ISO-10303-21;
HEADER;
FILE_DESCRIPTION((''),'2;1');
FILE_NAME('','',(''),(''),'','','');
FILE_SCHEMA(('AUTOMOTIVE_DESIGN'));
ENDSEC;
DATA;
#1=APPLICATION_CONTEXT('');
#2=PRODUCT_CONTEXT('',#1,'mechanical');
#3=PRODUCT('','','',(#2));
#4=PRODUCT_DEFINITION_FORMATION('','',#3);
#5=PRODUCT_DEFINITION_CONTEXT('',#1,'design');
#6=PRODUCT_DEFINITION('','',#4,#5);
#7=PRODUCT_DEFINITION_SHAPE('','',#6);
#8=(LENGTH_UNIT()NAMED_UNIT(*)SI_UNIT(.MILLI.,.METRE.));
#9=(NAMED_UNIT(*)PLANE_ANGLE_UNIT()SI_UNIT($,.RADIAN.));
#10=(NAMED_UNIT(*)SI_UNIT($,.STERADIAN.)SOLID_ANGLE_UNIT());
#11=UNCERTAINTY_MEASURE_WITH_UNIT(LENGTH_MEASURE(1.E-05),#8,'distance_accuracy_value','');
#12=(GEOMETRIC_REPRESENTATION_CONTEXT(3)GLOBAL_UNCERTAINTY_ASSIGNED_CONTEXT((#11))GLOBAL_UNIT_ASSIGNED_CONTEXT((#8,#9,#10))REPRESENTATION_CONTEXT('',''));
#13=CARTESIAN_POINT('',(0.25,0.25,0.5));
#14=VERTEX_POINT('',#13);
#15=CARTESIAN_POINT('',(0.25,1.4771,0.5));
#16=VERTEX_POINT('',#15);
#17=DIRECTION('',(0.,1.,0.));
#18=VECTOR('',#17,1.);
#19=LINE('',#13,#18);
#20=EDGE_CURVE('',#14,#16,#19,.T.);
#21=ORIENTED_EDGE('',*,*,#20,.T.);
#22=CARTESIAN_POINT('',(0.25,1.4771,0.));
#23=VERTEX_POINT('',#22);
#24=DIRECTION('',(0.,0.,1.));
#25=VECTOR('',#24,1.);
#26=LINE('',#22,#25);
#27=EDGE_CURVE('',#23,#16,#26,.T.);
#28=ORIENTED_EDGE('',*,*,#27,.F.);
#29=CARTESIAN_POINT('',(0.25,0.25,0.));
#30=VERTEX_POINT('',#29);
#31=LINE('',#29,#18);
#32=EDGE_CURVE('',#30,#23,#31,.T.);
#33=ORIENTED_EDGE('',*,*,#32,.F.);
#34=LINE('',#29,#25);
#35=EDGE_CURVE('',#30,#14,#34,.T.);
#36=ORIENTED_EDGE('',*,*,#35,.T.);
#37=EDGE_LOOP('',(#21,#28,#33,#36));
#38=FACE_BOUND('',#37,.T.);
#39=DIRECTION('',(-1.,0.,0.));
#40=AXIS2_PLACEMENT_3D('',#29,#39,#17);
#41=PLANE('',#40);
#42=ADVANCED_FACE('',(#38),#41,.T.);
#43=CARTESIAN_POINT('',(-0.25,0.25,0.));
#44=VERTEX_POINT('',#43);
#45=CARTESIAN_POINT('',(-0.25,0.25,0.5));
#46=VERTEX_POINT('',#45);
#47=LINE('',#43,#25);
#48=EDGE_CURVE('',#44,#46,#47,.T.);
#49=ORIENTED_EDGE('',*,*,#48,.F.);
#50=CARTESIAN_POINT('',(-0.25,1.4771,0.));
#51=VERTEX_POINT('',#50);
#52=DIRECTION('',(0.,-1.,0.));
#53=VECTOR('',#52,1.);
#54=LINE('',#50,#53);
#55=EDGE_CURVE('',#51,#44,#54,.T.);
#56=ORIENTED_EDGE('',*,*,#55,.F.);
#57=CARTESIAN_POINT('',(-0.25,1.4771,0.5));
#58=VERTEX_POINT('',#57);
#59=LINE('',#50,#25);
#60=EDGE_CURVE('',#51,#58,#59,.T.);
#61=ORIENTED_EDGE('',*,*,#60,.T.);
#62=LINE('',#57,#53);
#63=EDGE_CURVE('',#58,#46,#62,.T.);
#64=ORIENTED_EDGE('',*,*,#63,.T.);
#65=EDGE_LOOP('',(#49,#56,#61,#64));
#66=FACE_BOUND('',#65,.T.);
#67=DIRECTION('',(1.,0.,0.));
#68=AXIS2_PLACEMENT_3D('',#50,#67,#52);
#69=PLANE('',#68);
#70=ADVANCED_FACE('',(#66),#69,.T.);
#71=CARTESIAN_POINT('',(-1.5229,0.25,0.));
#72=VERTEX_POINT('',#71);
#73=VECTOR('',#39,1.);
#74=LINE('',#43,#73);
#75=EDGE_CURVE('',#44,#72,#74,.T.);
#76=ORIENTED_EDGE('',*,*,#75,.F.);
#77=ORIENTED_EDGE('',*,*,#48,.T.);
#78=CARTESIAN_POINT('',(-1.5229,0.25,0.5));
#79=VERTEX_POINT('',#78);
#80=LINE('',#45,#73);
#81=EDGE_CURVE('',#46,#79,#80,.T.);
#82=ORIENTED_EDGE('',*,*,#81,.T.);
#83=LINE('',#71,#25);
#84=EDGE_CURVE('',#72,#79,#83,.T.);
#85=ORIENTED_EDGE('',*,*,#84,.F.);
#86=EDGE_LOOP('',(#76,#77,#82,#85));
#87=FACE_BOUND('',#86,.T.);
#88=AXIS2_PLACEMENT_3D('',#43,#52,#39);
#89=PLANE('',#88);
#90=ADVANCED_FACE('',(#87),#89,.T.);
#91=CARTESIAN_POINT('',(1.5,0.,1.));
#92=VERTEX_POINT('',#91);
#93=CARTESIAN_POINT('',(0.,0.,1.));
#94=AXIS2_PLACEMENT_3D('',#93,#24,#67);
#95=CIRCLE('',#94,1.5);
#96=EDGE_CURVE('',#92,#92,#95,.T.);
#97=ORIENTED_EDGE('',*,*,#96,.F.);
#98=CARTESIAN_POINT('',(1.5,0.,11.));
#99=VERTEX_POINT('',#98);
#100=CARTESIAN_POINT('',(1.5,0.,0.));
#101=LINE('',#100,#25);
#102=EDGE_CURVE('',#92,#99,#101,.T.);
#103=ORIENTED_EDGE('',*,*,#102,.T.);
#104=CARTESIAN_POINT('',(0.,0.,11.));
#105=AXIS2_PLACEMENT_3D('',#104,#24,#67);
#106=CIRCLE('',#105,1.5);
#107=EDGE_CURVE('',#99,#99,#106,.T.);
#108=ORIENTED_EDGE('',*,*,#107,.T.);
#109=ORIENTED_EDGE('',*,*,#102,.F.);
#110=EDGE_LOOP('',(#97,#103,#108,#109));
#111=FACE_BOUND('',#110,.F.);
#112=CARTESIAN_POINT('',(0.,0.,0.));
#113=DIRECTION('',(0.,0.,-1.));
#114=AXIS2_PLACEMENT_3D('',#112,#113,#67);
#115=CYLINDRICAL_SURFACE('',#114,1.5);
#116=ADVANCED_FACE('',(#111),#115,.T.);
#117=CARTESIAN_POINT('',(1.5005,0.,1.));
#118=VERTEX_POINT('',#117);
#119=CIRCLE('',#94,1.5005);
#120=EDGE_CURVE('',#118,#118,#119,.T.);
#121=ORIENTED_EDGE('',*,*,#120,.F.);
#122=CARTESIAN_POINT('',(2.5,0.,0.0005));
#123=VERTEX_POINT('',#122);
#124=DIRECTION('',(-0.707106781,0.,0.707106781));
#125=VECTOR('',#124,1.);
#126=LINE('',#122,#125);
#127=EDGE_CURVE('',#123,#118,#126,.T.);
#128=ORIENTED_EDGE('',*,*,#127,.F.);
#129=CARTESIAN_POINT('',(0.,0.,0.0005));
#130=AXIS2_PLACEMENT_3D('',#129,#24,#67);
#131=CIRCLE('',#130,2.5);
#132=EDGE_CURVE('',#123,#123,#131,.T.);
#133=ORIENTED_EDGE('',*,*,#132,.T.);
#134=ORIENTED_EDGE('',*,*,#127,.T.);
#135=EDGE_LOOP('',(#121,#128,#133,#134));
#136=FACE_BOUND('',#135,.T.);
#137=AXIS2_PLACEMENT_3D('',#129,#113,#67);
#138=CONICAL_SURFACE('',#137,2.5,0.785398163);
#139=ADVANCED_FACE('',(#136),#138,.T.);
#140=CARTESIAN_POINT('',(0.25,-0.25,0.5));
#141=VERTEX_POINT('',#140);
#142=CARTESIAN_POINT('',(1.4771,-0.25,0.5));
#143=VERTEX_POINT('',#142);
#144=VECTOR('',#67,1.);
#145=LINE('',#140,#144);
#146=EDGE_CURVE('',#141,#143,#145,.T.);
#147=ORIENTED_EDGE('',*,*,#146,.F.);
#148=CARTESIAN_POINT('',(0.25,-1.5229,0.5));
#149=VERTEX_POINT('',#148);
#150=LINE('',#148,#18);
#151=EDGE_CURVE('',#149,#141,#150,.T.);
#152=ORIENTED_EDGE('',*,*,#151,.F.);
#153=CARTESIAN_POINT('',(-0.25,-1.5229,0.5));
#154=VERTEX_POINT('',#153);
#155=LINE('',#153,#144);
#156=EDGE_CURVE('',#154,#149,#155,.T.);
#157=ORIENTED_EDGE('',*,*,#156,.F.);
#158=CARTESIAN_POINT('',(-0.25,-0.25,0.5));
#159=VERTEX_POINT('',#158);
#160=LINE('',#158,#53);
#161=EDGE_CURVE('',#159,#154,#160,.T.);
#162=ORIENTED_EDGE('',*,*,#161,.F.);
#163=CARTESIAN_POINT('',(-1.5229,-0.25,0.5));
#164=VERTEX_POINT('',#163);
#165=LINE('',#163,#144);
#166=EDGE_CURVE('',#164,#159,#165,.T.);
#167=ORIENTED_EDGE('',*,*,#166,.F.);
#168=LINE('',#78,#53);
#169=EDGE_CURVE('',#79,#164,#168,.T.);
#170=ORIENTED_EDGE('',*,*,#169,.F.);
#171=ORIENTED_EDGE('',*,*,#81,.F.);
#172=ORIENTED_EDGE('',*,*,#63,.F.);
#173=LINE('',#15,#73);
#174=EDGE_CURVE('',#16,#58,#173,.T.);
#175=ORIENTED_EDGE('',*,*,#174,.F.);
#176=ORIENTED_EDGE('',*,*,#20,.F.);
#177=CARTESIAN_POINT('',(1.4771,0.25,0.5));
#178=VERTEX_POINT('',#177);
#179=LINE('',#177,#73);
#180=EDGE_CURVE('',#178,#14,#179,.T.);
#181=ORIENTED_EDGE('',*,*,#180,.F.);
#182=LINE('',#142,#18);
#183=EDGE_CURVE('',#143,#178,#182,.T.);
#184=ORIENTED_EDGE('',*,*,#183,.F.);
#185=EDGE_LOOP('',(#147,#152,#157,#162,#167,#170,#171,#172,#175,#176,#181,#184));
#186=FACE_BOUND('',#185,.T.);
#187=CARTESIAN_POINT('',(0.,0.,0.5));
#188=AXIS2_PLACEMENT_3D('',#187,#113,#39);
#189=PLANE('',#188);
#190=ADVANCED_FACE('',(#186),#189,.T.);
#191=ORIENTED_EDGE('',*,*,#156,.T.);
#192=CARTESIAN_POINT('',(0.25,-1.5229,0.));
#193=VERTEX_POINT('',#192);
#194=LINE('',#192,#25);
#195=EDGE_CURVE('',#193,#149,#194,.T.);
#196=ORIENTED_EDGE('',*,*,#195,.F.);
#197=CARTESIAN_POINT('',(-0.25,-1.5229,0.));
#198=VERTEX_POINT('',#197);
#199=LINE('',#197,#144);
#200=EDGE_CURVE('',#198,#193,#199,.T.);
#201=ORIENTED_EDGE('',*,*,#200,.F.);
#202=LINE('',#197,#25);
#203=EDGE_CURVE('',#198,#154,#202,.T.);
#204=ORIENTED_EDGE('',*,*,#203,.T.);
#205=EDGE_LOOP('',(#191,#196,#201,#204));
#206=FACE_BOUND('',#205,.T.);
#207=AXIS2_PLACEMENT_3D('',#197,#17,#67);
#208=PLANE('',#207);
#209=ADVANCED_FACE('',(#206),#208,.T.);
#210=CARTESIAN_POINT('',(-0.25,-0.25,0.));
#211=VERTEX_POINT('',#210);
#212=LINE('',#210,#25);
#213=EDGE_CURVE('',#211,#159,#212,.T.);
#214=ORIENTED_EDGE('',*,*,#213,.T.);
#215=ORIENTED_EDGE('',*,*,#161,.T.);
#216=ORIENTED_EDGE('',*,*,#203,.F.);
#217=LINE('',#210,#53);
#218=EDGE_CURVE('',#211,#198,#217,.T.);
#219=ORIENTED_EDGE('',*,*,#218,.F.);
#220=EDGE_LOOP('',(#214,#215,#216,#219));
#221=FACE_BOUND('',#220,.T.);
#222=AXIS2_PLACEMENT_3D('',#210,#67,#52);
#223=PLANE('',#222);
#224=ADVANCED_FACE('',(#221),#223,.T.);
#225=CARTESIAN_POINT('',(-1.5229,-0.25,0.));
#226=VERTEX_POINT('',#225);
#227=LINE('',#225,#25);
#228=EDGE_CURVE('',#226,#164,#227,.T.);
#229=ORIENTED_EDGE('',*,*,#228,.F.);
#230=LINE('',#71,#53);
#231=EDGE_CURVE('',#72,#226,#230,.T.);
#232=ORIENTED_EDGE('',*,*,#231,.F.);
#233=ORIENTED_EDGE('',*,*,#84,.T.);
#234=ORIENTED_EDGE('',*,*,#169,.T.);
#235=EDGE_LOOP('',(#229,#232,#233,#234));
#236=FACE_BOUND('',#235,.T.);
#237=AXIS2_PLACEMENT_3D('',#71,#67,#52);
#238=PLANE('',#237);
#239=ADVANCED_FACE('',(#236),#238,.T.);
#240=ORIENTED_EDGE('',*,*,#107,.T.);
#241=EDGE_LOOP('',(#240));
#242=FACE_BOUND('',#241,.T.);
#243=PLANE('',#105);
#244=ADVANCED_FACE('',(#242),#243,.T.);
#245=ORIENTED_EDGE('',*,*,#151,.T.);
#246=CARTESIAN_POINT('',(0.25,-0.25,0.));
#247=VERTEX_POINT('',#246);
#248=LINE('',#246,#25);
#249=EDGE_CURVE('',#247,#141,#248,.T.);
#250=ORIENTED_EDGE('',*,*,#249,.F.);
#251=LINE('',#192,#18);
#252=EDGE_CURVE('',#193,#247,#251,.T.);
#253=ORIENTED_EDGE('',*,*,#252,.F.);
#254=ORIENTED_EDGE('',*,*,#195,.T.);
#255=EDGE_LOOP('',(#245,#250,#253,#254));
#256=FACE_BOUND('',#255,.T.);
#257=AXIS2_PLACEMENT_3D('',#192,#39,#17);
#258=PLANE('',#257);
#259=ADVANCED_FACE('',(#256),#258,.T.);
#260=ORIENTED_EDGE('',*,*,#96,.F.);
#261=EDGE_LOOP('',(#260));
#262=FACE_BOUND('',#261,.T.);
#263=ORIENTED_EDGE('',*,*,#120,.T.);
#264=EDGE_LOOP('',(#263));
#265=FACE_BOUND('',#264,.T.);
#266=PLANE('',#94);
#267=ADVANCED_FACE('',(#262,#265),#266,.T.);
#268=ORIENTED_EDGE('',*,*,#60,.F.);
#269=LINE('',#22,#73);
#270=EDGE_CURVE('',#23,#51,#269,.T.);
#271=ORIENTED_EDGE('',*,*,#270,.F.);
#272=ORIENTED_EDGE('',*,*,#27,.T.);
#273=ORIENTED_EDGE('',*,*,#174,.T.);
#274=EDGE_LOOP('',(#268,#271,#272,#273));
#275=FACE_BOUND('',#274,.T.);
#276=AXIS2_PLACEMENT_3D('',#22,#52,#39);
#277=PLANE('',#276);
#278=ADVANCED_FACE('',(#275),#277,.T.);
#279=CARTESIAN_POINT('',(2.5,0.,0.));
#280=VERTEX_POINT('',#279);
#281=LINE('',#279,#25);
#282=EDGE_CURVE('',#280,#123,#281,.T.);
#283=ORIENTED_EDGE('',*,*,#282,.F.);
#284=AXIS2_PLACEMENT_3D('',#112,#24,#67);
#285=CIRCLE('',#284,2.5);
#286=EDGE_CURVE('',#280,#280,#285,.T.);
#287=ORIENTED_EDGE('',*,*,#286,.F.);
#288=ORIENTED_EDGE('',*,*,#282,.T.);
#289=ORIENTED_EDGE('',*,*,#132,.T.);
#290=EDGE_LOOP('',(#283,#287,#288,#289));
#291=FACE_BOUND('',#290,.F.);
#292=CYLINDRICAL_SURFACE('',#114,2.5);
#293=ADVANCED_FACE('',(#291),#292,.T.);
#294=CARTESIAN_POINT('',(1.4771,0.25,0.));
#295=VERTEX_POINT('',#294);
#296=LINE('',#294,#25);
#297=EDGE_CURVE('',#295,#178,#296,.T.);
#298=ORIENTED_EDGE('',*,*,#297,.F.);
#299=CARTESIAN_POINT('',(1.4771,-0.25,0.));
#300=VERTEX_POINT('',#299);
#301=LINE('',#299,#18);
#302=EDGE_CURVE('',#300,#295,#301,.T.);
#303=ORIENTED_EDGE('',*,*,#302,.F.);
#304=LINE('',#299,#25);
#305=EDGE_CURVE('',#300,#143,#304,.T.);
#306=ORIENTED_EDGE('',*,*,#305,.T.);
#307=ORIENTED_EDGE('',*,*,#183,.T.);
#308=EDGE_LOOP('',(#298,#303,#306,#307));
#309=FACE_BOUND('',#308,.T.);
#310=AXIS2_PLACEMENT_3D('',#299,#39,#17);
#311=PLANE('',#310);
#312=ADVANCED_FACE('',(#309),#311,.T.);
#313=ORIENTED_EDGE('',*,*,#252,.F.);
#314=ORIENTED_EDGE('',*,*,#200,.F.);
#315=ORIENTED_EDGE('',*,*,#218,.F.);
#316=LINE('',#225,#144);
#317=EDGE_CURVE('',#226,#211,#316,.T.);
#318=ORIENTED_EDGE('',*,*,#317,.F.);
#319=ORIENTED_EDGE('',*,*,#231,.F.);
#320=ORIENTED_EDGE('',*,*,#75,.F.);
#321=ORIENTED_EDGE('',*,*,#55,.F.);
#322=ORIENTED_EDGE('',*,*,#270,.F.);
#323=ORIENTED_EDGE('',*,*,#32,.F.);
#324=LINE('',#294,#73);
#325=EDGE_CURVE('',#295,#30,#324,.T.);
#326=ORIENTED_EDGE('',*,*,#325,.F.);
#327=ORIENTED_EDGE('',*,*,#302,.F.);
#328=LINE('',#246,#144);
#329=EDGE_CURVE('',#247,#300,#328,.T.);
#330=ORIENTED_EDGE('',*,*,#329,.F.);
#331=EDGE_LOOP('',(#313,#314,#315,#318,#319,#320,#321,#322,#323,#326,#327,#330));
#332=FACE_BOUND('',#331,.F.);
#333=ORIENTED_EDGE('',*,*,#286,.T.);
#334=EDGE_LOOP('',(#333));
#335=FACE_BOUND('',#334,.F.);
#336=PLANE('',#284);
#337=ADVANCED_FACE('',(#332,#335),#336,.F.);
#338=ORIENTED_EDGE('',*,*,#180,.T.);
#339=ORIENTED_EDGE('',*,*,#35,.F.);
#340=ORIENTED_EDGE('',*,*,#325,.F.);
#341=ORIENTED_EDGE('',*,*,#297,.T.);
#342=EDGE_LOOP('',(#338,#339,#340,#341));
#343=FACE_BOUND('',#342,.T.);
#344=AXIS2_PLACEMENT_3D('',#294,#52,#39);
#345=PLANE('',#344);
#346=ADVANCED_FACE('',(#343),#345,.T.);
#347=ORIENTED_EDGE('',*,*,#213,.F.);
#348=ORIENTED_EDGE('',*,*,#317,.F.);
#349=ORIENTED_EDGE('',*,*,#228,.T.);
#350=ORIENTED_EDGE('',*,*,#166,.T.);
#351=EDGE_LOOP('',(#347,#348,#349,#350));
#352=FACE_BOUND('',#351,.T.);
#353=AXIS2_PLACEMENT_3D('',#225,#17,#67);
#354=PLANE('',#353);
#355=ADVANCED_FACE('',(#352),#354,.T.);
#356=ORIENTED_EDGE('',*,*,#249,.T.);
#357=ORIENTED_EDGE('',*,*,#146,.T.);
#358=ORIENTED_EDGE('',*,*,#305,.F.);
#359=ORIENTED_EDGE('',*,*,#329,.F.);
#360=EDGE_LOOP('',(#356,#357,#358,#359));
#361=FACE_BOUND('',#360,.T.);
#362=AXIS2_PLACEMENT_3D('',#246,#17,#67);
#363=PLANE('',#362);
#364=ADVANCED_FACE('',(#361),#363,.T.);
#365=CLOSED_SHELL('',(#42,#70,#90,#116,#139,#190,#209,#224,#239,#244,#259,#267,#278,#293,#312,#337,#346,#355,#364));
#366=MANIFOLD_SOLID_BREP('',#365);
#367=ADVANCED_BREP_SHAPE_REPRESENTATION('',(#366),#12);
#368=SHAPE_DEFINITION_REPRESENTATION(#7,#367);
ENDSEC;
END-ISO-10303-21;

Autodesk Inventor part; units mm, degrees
ref_plane "YZ Plane" through (0, 0, 0) normal (1, 0, 0) x (0, 1, 0)
ref_plane "XZ Plane" through (0, 0, 0) normal (0, 1, 0) x (-1, 0, 0)
ref_plane "XY Plane" through (0, 0, 0) normal (0, 0, 1) x (1, 0, 0)
sketch "Sketch1" plane through (0, 0, 0) normal (0, 0, 1) x (1, 0, 0)
  circle A0 centre (0, 0) radius 2.5
  circle A1 centre (0, 0) radius 1.5
  dimension "d0" = 5
  dimension "d1" = 3
extrude "Extrusion1" add sketch "Sketch1" along normal blind 1
extrude "Extrusion2" add sketch "Sketch1" along normal blind 11 contours A1
chamfer "Chamfer1" distance 1 angle 45 1 edges at (-2.5, 0, 1)
sketch "Sketch2" plane through (0, 0, 0) normal (0, 0, -1) x (-1, 0, 0)
  circle A0 centre (0, 0) radius 2.5 projected
  line L0 (0.25, -1.5229) -> (-0.25, -1.5229)
  line L1 (-0.25, 1.4771) -> (0.25, 1.4771)
  line L2 (0.25, -1.4771) -> (-0.25, 1.4771) construction
  line L3 (1.5229, 0.25) -> (1.5229, -0.25)
  line L4 (-1.4771, -0.25) -> (-1.4771, 0.25)
  line L5 (1.4771, 0.25) -> (-1.4771, -0.25) construction
  line L6 (1.5229, -0.25) -> (0.25, -0.25)
  line L7 (-0.25, -0.25) -> (-1.4771, -0.25)
  line L8 (-1.4771, 0.25) -> (-0.25, 0.25)
  line L9 (0.25, 0.25) -> (1.5229, 0.25)
  line L10 (0.25, 1.4771) -> (0.25, 0.25)
  line L11 (0.25, -0.25) -> (0.25, -1.5229)
  line L12 (-0.25, -1.5229) -> (-0.25, -0.25)
  line L13 (-0.25, 0.25) -> (-0.25, 1.4771)
  point P0 (-1.3278, 0)
  dimension "d9" = 0.5
  dimension "d10" = 3
  dimension "d11" = 0.5
  dimension "d12" = 3
extrude "Extrusion3" cut sketch "Sketch2" against normal blind 0.5 contours L0 L12 L7 L4 L8 L13 L1 L10 L9 L3 L6 L11
properties part number "Tornillo tapa"
